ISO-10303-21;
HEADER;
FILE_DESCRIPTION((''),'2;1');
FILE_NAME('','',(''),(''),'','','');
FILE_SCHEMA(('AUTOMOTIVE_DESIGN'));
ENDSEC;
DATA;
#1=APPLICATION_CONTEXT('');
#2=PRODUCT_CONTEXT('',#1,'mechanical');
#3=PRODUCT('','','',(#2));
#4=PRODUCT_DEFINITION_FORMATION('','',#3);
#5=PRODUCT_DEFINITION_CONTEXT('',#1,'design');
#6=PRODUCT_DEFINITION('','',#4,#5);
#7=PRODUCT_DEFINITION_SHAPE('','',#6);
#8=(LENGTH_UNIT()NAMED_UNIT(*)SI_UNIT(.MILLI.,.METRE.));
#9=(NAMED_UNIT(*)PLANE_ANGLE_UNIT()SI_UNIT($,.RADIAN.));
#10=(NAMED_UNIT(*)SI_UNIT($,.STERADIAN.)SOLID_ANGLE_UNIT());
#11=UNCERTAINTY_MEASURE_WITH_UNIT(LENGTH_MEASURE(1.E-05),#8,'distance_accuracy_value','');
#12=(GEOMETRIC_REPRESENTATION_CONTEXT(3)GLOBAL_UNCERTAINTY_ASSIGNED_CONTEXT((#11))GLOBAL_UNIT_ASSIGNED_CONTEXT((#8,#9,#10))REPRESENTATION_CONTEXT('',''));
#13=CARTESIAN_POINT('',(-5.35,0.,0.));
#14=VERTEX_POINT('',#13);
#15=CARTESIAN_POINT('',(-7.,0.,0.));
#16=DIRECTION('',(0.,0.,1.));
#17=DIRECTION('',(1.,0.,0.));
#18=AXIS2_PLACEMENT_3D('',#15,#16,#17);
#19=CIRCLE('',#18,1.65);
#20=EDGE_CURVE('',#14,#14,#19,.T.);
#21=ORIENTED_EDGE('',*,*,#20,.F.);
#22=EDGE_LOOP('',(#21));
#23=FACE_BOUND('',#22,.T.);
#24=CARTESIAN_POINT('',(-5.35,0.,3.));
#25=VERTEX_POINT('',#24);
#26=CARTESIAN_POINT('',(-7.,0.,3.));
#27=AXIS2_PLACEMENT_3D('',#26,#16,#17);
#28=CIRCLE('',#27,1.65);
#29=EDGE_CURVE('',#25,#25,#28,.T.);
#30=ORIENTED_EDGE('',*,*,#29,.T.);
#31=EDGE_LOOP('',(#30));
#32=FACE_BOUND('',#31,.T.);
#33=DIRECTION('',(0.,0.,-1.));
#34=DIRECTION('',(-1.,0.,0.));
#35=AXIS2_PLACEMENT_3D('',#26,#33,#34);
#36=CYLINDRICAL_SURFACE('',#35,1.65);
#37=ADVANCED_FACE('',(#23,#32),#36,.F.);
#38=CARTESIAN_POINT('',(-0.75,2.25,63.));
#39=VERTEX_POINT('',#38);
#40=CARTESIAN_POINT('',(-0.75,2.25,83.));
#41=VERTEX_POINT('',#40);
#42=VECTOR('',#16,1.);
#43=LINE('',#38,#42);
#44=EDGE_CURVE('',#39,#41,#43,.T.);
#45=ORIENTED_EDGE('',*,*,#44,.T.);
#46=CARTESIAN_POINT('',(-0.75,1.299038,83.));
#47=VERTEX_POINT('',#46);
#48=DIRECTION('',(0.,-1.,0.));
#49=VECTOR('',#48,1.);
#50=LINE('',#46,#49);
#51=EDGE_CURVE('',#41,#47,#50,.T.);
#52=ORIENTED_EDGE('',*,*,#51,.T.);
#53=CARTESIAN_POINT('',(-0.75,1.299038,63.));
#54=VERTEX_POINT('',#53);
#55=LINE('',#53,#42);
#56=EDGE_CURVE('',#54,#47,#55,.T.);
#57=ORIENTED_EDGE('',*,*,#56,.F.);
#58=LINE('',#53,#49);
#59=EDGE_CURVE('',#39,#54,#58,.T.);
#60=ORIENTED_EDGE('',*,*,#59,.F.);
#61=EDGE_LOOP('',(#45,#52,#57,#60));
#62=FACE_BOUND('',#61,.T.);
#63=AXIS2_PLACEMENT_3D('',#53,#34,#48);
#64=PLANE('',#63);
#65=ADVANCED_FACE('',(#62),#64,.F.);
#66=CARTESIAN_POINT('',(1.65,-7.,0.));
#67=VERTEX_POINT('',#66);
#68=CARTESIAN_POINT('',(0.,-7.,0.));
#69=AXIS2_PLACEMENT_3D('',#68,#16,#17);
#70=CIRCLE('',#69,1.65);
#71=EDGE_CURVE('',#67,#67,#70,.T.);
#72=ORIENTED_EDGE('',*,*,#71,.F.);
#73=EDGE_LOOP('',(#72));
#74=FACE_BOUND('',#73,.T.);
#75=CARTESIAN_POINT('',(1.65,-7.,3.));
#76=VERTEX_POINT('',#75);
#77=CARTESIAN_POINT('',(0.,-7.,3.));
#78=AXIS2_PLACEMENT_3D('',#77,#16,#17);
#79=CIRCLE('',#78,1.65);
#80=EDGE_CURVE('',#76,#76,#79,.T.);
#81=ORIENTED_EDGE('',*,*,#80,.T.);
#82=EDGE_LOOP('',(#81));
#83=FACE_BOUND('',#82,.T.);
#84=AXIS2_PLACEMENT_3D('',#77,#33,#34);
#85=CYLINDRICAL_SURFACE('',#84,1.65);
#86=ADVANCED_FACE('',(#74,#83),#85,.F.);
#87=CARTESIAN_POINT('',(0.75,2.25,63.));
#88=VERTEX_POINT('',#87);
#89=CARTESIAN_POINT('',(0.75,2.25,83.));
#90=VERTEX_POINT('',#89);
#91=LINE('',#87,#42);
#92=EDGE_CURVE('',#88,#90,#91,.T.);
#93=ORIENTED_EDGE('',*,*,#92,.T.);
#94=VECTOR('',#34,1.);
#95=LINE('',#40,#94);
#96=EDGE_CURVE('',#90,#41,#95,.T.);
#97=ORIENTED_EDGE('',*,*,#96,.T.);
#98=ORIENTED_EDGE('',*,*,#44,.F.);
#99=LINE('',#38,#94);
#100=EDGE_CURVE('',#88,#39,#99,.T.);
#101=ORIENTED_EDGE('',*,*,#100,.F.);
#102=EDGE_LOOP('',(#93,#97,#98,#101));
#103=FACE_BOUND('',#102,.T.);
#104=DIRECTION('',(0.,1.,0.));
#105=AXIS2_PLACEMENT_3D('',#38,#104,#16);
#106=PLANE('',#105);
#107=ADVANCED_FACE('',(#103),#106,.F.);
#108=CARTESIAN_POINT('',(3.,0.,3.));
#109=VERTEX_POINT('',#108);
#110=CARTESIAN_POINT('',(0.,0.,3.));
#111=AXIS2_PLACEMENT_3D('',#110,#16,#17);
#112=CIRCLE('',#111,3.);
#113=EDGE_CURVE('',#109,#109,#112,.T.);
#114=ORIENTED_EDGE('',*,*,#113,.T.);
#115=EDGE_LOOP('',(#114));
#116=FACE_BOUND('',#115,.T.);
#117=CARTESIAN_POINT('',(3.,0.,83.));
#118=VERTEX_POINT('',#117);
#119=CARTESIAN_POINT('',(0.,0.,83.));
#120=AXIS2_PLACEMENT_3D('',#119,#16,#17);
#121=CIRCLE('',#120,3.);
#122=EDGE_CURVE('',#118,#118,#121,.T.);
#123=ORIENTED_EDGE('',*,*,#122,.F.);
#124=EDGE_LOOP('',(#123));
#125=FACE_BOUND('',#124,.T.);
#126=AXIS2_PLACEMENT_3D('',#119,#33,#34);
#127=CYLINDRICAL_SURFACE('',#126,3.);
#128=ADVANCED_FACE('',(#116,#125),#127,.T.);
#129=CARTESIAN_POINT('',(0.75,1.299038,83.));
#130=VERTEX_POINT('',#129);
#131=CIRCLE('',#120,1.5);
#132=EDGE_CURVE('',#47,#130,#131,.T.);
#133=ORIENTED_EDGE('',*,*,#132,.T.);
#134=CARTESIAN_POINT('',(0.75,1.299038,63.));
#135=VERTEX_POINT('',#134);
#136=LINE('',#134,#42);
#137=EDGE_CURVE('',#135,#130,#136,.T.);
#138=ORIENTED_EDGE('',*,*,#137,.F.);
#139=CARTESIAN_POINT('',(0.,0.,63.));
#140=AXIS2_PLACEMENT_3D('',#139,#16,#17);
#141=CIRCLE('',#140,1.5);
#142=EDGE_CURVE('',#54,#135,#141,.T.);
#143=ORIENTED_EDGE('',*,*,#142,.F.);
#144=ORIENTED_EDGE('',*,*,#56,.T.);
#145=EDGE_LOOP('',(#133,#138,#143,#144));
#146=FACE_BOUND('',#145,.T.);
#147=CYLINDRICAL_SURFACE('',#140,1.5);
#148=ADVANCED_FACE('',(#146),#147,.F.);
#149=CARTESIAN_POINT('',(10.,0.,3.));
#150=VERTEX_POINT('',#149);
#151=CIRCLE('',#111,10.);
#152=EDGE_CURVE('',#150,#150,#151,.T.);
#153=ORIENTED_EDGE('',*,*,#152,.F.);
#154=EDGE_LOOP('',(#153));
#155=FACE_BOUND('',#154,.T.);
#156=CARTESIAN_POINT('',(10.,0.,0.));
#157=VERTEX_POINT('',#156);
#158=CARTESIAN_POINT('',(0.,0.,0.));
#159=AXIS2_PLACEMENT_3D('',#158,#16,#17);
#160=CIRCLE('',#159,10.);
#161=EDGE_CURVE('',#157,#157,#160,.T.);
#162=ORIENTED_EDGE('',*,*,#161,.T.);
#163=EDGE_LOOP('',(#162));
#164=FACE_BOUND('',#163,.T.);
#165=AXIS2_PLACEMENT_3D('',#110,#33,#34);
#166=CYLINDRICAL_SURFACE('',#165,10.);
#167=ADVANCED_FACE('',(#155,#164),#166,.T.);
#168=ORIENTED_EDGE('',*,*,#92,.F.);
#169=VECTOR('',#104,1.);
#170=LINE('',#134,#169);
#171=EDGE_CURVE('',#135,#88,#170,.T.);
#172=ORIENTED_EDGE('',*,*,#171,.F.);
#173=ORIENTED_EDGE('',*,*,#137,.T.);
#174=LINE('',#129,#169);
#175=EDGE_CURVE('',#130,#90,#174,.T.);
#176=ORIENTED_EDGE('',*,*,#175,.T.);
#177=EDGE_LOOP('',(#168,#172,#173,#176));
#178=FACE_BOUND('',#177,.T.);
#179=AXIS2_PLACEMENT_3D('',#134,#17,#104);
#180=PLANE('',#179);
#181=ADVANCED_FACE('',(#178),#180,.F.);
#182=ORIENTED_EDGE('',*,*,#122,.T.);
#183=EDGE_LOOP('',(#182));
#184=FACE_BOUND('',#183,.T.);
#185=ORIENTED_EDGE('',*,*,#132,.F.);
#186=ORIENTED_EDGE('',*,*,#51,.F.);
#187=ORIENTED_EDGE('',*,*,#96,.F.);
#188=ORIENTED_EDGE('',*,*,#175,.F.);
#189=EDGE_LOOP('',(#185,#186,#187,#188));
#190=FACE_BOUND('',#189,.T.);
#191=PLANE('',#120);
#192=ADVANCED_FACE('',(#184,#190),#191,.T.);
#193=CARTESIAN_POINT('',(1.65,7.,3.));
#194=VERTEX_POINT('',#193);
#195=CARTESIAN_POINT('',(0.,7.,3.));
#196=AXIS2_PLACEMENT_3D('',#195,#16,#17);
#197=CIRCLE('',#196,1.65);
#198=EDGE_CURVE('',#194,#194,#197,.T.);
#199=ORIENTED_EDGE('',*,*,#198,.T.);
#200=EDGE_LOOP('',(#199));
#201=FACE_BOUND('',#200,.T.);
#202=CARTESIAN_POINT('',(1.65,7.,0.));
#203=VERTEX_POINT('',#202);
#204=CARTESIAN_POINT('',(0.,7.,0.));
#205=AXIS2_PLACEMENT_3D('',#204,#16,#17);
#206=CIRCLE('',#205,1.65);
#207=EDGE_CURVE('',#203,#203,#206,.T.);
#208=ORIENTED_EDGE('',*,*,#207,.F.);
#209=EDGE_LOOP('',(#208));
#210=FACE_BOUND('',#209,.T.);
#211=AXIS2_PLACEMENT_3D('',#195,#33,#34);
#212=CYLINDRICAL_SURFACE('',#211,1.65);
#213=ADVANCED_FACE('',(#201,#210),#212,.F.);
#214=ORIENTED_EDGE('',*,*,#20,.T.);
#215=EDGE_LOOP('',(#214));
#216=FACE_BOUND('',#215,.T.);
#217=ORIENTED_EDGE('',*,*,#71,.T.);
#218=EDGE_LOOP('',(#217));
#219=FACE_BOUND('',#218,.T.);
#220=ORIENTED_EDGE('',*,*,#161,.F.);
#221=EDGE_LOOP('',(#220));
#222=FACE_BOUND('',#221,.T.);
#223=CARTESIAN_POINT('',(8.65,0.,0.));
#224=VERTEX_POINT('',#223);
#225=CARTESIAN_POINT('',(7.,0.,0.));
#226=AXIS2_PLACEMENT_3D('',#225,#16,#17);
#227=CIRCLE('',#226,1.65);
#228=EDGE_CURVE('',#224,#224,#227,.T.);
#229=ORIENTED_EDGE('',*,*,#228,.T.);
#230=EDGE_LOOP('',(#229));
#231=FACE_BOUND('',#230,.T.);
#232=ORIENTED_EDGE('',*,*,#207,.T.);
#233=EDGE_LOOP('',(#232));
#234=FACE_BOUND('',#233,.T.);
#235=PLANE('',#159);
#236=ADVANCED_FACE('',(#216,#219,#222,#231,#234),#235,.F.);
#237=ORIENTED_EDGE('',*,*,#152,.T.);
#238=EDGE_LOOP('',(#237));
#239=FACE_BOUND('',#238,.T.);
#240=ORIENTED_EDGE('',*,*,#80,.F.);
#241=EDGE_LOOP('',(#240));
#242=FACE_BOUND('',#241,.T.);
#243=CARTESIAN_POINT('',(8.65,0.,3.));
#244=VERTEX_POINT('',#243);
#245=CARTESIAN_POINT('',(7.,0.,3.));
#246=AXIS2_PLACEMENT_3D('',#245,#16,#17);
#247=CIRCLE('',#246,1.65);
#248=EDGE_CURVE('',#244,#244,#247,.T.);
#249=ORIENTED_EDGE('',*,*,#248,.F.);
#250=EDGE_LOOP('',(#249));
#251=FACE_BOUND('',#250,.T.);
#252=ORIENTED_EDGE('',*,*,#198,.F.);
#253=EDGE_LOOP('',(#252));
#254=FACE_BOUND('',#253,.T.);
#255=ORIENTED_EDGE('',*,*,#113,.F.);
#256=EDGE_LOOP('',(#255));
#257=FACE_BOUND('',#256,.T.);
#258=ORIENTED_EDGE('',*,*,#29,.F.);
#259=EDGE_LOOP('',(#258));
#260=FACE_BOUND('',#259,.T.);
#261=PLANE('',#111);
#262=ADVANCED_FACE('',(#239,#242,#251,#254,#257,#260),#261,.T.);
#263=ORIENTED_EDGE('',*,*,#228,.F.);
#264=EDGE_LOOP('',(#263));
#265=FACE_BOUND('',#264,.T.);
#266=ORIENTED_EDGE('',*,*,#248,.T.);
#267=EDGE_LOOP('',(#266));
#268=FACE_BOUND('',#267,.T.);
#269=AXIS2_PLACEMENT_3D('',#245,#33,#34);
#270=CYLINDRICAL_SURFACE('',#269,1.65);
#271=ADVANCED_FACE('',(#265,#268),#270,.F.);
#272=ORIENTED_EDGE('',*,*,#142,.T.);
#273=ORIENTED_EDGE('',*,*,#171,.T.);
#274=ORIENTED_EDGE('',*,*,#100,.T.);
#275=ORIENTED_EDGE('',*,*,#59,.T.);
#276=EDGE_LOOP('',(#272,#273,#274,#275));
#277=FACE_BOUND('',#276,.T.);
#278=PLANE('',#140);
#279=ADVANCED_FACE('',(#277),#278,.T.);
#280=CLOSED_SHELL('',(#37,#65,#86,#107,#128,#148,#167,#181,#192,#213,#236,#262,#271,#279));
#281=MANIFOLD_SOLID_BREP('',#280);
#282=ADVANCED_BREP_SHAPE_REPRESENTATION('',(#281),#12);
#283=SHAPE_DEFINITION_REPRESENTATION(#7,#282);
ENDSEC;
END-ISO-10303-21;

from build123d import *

# Parameters (mm, degrees)
SKETCH_1_R          = 10
SKETCH_1_R_2        = 1.65
EXTRUDE_1_DEPTH     = 3
SKETCH_2_R          = 3
EXTRUDE_2_DEPTH     = 80
CUT_EXTRUDE_1_DEPTH = 20


with BuildPart() as part:
    # 草图1 → 凸台-拉伸1 (new body)
    with BuildSketch(Plane.XY):
        Circle(SKETCH_1_R)
        with Locations((0, 7)):
            Circle(SKETCH_1_R_2, mode=Mode.SUBTRACT)
        with Locations((7, 0)):
            Circle(SKETCH_1_R_2, mode=Mode.SUBTRACT)
        with Locations((0, -7)):
            Circle(SKETCH_1_R_2, mode=Mode.SUBTRACT)
        with Locations((-7, 0)):
            Circle(SKETCH_1_R_2, mode=Mode.SUBTRACT)
    extrude(amount=EXTRUDE_1_DEPTH)

    # 草图2 → 凸台-拉伸2 (add)
    with BuildSketch(Plane.XY.offset(3)):
        Circle(SKETCH_2_R)
    extrude(amount=EXTRUDE_2_DEPTH)

    # 草图3 → 切除-拉伸1 (cut)
    with BuildSketch(Plane.XY.offset(83)):
        with BuildLine():
            Line((-0.75, 1.299038106), (-0.75, 2.25))
            Line((-0.75, 2.25), (0.75, 2.25))
            Line((0.75, 2.25), (0.75, 1.299038106))
            ThreePointArc((0.75, 1.299038106), (0, -1.5), (-0.75, 1.299038106))
        make_face()
    extrude(amount=-CUT_EXTRUDE_1_DEPTH, mode=Mode.SUBTRACT)


solid = part.part
